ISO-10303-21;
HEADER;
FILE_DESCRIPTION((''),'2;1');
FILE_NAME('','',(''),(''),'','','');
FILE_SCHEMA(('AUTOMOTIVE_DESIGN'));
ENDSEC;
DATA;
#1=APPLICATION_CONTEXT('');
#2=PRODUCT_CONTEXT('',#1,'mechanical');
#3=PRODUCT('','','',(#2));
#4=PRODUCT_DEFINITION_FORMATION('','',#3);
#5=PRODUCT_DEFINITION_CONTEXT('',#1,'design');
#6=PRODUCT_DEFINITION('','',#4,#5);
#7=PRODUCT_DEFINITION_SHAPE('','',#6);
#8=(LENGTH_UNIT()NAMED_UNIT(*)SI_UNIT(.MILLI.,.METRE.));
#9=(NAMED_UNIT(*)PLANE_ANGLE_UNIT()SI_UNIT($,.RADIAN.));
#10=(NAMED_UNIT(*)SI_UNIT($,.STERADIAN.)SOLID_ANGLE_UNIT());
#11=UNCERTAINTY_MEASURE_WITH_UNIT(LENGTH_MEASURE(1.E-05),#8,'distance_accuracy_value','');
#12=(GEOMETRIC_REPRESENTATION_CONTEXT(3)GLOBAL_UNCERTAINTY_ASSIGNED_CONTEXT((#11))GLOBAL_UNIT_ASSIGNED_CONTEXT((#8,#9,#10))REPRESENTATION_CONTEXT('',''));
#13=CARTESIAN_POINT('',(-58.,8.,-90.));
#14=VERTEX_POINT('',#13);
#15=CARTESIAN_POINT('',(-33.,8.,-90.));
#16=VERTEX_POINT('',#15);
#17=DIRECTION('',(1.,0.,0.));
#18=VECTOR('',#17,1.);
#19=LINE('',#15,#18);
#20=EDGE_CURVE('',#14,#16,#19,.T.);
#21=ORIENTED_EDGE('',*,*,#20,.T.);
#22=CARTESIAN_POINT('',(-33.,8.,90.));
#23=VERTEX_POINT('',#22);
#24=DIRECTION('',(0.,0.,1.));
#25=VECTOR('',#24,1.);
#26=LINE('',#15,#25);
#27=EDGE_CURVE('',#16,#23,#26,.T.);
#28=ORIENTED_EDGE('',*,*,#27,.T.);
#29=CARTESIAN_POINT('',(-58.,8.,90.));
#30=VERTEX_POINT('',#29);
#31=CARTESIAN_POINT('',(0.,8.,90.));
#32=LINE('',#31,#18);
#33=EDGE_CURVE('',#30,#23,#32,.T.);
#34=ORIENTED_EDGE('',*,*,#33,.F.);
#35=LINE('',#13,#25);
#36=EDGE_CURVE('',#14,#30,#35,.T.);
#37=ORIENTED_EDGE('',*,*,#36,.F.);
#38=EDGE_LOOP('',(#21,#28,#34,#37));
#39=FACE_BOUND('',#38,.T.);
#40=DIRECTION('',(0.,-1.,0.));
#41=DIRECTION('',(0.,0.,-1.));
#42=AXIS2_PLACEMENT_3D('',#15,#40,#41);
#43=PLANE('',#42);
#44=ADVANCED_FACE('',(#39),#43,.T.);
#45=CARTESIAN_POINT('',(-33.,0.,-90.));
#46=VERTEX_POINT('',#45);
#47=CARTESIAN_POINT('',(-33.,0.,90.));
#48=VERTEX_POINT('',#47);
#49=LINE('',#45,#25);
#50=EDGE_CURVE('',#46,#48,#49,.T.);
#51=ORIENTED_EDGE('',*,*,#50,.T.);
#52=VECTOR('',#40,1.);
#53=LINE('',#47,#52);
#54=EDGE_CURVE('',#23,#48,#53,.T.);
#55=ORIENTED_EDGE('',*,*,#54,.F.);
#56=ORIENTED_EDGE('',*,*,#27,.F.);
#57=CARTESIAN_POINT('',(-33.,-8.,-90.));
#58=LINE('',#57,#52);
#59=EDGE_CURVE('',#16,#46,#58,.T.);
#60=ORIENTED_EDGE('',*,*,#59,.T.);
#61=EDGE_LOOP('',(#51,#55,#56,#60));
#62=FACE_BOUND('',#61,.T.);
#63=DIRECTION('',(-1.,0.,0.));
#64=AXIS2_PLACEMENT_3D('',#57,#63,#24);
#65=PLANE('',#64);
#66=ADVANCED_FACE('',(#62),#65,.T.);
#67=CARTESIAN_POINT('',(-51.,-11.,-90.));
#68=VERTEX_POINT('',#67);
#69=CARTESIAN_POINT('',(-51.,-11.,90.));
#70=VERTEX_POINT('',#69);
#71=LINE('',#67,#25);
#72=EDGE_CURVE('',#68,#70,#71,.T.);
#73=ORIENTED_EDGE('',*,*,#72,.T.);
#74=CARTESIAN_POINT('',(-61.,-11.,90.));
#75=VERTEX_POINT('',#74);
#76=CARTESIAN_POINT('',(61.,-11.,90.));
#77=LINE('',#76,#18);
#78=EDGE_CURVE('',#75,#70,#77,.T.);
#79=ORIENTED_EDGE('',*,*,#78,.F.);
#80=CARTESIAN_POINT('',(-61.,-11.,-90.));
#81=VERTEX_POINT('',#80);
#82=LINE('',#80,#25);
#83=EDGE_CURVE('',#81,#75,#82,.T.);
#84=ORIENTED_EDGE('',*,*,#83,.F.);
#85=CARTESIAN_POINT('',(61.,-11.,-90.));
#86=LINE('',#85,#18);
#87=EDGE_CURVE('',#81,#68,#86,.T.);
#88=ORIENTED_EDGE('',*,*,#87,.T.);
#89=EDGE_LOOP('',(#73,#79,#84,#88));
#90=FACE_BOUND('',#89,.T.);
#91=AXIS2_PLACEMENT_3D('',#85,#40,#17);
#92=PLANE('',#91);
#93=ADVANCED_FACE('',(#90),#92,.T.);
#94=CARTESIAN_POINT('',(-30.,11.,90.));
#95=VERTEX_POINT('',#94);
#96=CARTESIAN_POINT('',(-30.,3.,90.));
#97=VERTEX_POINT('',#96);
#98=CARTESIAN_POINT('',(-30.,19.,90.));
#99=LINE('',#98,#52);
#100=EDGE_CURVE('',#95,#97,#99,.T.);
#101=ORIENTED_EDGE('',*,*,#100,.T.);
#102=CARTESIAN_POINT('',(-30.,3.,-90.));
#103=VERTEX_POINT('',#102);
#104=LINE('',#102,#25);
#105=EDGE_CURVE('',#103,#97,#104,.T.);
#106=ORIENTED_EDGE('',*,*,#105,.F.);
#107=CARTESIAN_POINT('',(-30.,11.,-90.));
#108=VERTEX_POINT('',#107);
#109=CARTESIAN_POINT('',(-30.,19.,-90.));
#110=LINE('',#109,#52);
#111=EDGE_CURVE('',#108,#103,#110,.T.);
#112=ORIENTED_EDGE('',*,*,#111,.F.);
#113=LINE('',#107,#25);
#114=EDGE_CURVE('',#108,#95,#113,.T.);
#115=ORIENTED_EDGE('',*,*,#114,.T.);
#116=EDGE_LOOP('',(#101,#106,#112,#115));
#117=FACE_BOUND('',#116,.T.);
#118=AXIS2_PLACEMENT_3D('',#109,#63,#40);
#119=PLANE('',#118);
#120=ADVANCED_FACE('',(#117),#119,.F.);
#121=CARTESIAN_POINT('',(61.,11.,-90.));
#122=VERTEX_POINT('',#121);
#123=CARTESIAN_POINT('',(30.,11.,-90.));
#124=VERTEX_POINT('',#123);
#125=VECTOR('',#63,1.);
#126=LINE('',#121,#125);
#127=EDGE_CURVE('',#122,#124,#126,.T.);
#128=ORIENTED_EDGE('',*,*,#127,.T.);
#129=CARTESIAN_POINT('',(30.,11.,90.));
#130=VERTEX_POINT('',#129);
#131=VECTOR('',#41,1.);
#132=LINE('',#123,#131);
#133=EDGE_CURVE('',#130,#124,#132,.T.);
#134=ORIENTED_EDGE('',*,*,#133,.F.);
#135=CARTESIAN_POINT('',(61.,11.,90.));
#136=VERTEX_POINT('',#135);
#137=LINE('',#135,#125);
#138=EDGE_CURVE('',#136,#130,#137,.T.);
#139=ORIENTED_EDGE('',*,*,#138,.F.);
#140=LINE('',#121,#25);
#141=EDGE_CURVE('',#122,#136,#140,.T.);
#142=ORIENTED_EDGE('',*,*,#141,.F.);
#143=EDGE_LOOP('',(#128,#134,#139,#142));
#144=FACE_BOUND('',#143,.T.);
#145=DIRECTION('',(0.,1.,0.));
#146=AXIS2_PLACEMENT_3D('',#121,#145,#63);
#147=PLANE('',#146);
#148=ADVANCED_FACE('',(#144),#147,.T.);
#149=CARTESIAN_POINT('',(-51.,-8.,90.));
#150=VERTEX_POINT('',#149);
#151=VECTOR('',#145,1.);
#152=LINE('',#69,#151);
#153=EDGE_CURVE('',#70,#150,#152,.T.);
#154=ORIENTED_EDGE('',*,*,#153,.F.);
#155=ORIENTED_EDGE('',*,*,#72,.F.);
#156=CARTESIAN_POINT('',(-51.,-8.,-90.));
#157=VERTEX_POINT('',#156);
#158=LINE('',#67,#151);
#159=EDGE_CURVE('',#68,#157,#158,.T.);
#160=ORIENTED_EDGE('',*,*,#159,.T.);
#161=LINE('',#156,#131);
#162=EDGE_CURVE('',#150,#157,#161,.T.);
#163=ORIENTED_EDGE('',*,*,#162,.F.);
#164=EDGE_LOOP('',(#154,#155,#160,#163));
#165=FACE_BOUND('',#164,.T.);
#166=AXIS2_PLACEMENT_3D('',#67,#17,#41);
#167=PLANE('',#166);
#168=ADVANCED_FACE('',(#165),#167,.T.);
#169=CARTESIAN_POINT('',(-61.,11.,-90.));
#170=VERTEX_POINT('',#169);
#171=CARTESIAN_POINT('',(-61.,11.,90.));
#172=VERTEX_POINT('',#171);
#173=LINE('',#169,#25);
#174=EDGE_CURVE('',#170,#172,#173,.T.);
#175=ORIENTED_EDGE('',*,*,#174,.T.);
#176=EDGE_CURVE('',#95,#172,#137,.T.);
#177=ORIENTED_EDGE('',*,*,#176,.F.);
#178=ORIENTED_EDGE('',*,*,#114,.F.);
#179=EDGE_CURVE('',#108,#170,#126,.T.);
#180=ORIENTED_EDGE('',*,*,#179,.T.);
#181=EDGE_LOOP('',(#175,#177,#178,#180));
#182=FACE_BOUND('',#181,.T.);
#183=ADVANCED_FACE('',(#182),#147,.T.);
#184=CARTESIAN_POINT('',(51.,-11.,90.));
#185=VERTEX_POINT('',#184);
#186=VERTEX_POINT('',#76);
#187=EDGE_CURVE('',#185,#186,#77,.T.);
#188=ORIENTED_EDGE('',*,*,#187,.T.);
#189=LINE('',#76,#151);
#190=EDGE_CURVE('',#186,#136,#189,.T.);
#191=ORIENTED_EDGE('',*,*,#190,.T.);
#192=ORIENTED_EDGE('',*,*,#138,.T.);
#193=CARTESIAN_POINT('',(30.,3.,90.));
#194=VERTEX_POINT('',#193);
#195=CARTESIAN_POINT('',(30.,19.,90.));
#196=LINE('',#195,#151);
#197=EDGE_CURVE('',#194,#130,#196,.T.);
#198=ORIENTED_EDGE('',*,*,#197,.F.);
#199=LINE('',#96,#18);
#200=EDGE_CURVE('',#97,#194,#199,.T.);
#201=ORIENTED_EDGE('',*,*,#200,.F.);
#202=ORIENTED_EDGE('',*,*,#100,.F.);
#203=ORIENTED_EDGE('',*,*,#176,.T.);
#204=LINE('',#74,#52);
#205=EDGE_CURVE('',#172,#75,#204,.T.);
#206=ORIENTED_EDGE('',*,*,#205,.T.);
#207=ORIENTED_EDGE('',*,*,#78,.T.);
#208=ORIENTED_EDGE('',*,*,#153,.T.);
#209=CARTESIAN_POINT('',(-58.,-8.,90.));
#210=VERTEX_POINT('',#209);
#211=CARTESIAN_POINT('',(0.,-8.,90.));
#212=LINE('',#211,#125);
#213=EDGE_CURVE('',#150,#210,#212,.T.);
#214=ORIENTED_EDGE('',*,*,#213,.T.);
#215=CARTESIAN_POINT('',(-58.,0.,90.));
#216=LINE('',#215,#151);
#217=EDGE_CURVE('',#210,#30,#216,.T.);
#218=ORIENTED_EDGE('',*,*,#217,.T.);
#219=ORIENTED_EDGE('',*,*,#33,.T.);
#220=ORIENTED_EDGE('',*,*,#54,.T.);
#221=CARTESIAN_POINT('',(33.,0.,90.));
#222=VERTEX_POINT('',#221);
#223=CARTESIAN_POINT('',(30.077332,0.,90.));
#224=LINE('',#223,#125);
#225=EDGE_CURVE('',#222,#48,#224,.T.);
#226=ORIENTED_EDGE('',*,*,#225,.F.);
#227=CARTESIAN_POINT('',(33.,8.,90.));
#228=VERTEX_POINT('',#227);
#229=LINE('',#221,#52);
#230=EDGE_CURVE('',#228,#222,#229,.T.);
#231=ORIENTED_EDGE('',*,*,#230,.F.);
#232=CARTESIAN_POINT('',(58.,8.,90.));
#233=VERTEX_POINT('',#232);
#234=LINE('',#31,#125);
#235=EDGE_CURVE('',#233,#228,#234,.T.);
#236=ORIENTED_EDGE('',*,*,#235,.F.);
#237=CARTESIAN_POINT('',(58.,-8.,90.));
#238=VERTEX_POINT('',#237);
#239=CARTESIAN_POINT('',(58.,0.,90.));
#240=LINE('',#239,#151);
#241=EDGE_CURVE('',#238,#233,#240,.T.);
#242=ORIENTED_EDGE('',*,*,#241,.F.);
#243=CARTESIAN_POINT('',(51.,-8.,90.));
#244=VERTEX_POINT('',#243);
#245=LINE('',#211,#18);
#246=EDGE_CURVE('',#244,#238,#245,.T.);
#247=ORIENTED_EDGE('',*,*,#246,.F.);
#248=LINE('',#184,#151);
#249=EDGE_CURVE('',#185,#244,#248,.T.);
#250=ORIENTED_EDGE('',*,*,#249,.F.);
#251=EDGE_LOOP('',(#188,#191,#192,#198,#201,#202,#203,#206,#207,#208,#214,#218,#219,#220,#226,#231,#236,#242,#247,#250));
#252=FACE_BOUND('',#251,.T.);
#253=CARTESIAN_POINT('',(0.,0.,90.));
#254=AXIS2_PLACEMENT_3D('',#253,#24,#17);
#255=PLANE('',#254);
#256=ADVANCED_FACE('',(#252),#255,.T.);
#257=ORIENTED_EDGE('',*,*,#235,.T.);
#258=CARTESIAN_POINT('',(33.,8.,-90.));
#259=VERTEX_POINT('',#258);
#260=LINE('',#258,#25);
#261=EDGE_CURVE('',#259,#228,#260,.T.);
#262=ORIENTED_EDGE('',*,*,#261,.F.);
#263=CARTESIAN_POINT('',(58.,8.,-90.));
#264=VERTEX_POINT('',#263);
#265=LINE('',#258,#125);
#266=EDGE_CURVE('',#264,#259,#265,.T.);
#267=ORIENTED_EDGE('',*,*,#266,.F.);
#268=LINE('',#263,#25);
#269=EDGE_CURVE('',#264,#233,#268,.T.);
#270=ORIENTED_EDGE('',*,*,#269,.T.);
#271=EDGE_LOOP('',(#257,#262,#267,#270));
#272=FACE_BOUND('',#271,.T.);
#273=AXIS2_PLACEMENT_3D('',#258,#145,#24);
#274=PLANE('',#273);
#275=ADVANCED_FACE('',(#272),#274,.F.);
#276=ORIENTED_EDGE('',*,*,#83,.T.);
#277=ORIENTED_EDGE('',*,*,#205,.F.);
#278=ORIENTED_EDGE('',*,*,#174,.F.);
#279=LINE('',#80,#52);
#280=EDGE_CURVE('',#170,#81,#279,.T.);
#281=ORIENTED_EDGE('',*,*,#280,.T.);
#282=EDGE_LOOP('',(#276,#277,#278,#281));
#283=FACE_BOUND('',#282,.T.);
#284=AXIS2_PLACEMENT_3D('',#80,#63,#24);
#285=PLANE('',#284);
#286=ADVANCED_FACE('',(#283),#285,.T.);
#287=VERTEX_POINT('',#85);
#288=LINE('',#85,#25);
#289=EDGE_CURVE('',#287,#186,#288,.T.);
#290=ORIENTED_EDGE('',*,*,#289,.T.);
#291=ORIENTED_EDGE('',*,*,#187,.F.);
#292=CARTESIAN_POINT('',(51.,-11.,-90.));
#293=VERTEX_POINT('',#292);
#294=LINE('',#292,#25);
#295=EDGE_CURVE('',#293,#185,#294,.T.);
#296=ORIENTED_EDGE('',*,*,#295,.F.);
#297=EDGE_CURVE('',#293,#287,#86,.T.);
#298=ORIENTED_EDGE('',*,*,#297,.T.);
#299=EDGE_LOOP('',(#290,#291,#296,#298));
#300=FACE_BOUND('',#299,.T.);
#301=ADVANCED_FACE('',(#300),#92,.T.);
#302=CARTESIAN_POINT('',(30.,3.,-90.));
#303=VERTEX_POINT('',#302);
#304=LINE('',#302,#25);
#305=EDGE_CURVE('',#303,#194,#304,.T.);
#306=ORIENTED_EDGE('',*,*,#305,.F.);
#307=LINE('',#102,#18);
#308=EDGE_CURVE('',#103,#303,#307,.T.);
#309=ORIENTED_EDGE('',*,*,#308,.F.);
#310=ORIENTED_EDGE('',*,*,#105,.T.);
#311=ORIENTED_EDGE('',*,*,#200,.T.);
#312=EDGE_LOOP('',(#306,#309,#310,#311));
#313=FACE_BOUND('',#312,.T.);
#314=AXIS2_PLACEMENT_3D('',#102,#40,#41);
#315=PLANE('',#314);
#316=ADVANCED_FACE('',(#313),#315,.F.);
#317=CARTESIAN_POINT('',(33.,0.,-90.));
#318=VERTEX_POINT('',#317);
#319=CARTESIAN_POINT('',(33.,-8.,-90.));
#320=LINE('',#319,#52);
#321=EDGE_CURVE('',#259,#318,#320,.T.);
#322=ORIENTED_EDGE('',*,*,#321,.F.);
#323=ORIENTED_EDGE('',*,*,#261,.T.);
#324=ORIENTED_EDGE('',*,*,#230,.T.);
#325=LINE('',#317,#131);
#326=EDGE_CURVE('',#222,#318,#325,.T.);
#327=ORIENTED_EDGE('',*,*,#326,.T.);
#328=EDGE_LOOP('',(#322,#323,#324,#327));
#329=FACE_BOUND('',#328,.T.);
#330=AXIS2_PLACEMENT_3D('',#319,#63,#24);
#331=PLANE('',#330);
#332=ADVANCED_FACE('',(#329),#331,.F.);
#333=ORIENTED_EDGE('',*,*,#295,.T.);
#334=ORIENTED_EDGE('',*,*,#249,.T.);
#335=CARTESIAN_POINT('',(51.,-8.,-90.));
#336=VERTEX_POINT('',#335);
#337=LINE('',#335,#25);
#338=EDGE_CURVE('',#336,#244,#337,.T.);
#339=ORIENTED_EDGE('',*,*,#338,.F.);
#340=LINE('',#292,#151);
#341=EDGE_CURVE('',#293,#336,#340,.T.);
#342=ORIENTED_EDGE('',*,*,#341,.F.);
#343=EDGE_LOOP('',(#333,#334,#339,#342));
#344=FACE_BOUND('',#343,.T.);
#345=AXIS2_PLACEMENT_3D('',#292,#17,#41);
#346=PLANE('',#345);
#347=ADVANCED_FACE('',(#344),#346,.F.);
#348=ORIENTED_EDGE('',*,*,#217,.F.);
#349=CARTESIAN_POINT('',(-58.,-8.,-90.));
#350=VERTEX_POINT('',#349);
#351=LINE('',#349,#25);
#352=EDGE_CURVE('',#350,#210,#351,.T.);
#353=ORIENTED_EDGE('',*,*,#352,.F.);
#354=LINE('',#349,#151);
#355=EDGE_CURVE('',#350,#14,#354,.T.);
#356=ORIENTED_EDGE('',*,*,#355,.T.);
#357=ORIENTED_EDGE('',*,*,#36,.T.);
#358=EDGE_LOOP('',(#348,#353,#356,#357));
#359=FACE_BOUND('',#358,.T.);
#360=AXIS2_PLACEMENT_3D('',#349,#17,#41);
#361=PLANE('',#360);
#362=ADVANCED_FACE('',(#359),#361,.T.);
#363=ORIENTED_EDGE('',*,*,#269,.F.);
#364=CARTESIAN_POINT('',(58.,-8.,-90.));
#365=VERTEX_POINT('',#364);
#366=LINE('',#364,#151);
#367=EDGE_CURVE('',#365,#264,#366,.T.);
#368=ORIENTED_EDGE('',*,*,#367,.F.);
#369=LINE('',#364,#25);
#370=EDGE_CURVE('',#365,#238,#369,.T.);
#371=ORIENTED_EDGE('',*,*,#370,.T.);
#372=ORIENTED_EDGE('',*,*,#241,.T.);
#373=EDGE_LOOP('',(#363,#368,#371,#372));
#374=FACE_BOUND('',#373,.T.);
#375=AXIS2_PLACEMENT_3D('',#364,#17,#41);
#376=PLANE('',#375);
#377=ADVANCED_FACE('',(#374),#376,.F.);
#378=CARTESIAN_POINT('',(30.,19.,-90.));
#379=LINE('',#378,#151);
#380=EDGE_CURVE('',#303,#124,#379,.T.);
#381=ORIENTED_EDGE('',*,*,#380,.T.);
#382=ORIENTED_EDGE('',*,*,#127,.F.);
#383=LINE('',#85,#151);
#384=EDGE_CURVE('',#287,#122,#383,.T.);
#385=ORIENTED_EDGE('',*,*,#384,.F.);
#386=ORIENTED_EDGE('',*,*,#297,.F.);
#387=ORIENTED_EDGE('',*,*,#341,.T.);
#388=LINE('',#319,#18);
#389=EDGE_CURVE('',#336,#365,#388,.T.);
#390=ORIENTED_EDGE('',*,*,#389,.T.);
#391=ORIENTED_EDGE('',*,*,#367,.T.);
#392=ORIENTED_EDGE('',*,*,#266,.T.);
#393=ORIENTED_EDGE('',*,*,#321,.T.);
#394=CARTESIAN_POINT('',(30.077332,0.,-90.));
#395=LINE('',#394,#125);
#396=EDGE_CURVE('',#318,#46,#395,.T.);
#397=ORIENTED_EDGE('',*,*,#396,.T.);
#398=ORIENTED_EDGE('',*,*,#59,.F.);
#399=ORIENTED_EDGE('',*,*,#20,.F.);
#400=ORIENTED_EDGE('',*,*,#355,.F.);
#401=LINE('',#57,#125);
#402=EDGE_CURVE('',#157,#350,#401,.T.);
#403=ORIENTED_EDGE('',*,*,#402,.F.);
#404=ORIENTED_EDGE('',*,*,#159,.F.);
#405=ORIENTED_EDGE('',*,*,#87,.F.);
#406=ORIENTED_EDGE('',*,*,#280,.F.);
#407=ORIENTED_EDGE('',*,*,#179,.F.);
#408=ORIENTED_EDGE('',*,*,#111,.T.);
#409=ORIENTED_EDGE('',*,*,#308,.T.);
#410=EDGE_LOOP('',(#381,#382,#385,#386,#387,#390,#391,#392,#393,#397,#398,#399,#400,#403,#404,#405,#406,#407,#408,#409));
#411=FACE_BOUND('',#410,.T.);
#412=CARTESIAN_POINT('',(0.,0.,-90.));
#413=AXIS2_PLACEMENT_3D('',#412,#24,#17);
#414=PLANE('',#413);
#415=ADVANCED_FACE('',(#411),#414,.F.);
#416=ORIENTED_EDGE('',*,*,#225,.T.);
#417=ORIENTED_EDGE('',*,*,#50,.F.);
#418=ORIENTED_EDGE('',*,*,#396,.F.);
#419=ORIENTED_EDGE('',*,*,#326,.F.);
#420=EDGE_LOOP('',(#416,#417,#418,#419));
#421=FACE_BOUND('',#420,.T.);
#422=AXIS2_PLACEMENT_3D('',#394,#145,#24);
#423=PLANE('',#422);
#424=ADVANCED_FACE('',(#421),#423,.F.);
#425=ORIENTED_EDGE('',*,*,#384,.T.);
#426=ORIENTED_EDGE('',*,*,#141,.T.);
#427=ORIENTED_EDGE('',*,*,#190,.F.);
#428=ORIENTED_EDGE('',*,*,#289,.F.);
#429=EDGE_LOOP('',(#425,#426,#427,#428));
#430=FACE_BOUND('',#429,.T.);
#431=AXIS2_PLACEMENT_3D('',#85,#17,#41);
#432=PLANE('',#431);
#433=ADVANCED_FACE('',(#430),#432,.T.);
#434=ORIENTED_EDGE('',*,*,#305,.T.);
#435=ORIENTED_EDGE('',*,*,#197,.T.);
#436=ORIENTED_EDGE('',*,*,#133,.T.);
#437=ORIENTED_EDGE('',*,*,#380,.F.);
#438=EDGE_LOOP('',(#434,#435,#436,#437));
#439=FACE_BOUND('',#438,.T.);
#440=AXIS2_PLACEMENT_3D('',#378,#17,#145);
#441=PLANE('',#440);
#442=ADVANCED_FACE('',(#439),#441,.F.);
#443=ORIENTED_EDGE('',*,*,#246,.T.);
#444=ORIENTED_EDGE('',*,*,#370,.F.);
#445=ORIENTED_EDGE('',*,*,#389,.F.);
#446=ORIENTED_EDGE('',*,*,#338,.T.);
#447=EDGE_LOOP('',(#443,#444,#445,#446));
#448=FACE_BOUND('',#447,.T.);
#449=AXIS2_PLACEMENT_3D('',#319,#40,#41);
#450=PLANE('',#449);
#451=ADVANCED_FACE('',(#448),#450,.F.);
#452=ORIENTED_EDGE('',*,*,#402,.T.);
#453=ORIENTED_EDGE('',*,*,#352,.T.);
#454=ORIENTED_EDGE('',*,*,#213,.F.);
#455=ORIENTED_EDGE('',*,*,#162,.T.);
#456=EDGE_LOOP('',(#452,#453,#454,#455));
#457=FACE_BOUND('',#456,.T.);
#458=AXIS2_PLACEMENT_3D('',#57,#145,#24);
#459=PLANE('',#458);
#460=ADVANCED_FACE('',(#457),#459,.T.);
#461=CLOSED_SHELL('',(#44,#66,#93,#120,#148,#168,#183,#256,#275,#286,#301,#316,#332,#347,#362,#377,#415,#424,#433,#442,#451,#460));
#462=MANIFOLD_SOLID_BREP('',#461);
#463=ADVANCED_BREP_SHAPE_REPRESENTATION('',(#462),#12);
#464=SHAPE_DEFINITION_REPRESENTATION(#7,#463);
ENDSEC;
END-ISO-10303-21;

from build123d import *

# Parameters (mm, degrees)
BOSS_EXTRUDE1_DEPTH      = 90
BOSS_EXTRUDE1_DEPTH_BACK = 90
SKETCH1_W                = 122
SKETCH1_H                = 22
SKETCH2_W                = 25
SKETCH2_H                = 16
CUT_EXTRUDE1_DEPTH       = 191.373317458
SKETCH3_W                = 60
SKETCH3_H                = 16
CUT_EXTRUDE2_DEPTH       = 191.373317458
SKETCH4_W                = 60.154663558
SKETCH4_H                = 22
CUT_EXTRUDE3_DEPTH       = 191.373317458
SKETCH5_W                = 20.922668221
SKETCH5_H                = 11
CUT_EXTRUDE4_DEPTH       = 191.373317458


with BuildPart() as part:
    # Sketch1 → Boss-Extrude1 (new, two sides: drawn at the far end of the back side and taken through both)
    with BuildSketch(Plane.XY.offset(-BOSS_EXTRUDE1_DEPTH_BACK)):
        Rectangle(SKETCH1_W, SKETCH1_H)
    extrude(amount=BOSS_EXTRUDE1_DEPTH + BOSS_EXTRUDE1_DEPTH_BACK)

    # Sketch2 → Cut-Extrude1 (cut, symmetric)
    with BuildSketch(Plane.XY.offset(90)):
        with Locations((45.5, 0)):
            Rectangle(SKETCH2_W, SKETCH2_H)
    cut_extrude1 = extrude(amount=CUT_EXTRUDE1_DEPTH, both=True, mode=Mode.SUBTRACT)

    # Mirror1: Cut-Extrude1 across plane
    add(cut_extrude1.mirror(Plane(origin=(0, 0, 0), x_dir=(0, 0, 1), z_dir=(1, 0, 0))), mode=Mode.SUBTRACT)

    # Sketch3 → Cut-Extrude2 (cut, through all)
    with BuildSketch(Plane.XY.offset(90)):
        with Locations((0, 11)):
            Rectangle(SKETCH3_W, SKETCH3_H)
    extrude(amount=-CUT_EXTRUDE2_DEPTH, mode=Mode.SUBTRACT)

    # Sketch4 → Cut-Extrude3 (cut, through all)
    with BuildSketch(Plane.XY.offset(90)):
        with Locations((0, -11)):
            Rectangle(SKETCH4_W, SKETCH4_H)
    extrude(amount=-CUT_EXTRUDE3_DEPTH, mode=Mode.SUBTRACT)

    # Sketch5 → Cut-Extrude4 (cut, through all)
    with BuildSketch(Plane.XY.offset(90)):
        with Locations((40.53866589, -5.5)):
            Rectangle(SKETCH5_W, SKETCH5_H)
    cut_extrude4 = extrude(amount=-CUT_EXTRUDE4_DEPTH, mode=Mode.SUBTRACT)

    # Mirror2: Cut-Extrude4 across plane
    add(cut_extrude4.mirror(Plane(origin=(0, 0, 0), x_dir=(0, 0, 1), z_dir=(1, 0, 0))), mode=Mode.SUBTRACT)


solid = part.part
